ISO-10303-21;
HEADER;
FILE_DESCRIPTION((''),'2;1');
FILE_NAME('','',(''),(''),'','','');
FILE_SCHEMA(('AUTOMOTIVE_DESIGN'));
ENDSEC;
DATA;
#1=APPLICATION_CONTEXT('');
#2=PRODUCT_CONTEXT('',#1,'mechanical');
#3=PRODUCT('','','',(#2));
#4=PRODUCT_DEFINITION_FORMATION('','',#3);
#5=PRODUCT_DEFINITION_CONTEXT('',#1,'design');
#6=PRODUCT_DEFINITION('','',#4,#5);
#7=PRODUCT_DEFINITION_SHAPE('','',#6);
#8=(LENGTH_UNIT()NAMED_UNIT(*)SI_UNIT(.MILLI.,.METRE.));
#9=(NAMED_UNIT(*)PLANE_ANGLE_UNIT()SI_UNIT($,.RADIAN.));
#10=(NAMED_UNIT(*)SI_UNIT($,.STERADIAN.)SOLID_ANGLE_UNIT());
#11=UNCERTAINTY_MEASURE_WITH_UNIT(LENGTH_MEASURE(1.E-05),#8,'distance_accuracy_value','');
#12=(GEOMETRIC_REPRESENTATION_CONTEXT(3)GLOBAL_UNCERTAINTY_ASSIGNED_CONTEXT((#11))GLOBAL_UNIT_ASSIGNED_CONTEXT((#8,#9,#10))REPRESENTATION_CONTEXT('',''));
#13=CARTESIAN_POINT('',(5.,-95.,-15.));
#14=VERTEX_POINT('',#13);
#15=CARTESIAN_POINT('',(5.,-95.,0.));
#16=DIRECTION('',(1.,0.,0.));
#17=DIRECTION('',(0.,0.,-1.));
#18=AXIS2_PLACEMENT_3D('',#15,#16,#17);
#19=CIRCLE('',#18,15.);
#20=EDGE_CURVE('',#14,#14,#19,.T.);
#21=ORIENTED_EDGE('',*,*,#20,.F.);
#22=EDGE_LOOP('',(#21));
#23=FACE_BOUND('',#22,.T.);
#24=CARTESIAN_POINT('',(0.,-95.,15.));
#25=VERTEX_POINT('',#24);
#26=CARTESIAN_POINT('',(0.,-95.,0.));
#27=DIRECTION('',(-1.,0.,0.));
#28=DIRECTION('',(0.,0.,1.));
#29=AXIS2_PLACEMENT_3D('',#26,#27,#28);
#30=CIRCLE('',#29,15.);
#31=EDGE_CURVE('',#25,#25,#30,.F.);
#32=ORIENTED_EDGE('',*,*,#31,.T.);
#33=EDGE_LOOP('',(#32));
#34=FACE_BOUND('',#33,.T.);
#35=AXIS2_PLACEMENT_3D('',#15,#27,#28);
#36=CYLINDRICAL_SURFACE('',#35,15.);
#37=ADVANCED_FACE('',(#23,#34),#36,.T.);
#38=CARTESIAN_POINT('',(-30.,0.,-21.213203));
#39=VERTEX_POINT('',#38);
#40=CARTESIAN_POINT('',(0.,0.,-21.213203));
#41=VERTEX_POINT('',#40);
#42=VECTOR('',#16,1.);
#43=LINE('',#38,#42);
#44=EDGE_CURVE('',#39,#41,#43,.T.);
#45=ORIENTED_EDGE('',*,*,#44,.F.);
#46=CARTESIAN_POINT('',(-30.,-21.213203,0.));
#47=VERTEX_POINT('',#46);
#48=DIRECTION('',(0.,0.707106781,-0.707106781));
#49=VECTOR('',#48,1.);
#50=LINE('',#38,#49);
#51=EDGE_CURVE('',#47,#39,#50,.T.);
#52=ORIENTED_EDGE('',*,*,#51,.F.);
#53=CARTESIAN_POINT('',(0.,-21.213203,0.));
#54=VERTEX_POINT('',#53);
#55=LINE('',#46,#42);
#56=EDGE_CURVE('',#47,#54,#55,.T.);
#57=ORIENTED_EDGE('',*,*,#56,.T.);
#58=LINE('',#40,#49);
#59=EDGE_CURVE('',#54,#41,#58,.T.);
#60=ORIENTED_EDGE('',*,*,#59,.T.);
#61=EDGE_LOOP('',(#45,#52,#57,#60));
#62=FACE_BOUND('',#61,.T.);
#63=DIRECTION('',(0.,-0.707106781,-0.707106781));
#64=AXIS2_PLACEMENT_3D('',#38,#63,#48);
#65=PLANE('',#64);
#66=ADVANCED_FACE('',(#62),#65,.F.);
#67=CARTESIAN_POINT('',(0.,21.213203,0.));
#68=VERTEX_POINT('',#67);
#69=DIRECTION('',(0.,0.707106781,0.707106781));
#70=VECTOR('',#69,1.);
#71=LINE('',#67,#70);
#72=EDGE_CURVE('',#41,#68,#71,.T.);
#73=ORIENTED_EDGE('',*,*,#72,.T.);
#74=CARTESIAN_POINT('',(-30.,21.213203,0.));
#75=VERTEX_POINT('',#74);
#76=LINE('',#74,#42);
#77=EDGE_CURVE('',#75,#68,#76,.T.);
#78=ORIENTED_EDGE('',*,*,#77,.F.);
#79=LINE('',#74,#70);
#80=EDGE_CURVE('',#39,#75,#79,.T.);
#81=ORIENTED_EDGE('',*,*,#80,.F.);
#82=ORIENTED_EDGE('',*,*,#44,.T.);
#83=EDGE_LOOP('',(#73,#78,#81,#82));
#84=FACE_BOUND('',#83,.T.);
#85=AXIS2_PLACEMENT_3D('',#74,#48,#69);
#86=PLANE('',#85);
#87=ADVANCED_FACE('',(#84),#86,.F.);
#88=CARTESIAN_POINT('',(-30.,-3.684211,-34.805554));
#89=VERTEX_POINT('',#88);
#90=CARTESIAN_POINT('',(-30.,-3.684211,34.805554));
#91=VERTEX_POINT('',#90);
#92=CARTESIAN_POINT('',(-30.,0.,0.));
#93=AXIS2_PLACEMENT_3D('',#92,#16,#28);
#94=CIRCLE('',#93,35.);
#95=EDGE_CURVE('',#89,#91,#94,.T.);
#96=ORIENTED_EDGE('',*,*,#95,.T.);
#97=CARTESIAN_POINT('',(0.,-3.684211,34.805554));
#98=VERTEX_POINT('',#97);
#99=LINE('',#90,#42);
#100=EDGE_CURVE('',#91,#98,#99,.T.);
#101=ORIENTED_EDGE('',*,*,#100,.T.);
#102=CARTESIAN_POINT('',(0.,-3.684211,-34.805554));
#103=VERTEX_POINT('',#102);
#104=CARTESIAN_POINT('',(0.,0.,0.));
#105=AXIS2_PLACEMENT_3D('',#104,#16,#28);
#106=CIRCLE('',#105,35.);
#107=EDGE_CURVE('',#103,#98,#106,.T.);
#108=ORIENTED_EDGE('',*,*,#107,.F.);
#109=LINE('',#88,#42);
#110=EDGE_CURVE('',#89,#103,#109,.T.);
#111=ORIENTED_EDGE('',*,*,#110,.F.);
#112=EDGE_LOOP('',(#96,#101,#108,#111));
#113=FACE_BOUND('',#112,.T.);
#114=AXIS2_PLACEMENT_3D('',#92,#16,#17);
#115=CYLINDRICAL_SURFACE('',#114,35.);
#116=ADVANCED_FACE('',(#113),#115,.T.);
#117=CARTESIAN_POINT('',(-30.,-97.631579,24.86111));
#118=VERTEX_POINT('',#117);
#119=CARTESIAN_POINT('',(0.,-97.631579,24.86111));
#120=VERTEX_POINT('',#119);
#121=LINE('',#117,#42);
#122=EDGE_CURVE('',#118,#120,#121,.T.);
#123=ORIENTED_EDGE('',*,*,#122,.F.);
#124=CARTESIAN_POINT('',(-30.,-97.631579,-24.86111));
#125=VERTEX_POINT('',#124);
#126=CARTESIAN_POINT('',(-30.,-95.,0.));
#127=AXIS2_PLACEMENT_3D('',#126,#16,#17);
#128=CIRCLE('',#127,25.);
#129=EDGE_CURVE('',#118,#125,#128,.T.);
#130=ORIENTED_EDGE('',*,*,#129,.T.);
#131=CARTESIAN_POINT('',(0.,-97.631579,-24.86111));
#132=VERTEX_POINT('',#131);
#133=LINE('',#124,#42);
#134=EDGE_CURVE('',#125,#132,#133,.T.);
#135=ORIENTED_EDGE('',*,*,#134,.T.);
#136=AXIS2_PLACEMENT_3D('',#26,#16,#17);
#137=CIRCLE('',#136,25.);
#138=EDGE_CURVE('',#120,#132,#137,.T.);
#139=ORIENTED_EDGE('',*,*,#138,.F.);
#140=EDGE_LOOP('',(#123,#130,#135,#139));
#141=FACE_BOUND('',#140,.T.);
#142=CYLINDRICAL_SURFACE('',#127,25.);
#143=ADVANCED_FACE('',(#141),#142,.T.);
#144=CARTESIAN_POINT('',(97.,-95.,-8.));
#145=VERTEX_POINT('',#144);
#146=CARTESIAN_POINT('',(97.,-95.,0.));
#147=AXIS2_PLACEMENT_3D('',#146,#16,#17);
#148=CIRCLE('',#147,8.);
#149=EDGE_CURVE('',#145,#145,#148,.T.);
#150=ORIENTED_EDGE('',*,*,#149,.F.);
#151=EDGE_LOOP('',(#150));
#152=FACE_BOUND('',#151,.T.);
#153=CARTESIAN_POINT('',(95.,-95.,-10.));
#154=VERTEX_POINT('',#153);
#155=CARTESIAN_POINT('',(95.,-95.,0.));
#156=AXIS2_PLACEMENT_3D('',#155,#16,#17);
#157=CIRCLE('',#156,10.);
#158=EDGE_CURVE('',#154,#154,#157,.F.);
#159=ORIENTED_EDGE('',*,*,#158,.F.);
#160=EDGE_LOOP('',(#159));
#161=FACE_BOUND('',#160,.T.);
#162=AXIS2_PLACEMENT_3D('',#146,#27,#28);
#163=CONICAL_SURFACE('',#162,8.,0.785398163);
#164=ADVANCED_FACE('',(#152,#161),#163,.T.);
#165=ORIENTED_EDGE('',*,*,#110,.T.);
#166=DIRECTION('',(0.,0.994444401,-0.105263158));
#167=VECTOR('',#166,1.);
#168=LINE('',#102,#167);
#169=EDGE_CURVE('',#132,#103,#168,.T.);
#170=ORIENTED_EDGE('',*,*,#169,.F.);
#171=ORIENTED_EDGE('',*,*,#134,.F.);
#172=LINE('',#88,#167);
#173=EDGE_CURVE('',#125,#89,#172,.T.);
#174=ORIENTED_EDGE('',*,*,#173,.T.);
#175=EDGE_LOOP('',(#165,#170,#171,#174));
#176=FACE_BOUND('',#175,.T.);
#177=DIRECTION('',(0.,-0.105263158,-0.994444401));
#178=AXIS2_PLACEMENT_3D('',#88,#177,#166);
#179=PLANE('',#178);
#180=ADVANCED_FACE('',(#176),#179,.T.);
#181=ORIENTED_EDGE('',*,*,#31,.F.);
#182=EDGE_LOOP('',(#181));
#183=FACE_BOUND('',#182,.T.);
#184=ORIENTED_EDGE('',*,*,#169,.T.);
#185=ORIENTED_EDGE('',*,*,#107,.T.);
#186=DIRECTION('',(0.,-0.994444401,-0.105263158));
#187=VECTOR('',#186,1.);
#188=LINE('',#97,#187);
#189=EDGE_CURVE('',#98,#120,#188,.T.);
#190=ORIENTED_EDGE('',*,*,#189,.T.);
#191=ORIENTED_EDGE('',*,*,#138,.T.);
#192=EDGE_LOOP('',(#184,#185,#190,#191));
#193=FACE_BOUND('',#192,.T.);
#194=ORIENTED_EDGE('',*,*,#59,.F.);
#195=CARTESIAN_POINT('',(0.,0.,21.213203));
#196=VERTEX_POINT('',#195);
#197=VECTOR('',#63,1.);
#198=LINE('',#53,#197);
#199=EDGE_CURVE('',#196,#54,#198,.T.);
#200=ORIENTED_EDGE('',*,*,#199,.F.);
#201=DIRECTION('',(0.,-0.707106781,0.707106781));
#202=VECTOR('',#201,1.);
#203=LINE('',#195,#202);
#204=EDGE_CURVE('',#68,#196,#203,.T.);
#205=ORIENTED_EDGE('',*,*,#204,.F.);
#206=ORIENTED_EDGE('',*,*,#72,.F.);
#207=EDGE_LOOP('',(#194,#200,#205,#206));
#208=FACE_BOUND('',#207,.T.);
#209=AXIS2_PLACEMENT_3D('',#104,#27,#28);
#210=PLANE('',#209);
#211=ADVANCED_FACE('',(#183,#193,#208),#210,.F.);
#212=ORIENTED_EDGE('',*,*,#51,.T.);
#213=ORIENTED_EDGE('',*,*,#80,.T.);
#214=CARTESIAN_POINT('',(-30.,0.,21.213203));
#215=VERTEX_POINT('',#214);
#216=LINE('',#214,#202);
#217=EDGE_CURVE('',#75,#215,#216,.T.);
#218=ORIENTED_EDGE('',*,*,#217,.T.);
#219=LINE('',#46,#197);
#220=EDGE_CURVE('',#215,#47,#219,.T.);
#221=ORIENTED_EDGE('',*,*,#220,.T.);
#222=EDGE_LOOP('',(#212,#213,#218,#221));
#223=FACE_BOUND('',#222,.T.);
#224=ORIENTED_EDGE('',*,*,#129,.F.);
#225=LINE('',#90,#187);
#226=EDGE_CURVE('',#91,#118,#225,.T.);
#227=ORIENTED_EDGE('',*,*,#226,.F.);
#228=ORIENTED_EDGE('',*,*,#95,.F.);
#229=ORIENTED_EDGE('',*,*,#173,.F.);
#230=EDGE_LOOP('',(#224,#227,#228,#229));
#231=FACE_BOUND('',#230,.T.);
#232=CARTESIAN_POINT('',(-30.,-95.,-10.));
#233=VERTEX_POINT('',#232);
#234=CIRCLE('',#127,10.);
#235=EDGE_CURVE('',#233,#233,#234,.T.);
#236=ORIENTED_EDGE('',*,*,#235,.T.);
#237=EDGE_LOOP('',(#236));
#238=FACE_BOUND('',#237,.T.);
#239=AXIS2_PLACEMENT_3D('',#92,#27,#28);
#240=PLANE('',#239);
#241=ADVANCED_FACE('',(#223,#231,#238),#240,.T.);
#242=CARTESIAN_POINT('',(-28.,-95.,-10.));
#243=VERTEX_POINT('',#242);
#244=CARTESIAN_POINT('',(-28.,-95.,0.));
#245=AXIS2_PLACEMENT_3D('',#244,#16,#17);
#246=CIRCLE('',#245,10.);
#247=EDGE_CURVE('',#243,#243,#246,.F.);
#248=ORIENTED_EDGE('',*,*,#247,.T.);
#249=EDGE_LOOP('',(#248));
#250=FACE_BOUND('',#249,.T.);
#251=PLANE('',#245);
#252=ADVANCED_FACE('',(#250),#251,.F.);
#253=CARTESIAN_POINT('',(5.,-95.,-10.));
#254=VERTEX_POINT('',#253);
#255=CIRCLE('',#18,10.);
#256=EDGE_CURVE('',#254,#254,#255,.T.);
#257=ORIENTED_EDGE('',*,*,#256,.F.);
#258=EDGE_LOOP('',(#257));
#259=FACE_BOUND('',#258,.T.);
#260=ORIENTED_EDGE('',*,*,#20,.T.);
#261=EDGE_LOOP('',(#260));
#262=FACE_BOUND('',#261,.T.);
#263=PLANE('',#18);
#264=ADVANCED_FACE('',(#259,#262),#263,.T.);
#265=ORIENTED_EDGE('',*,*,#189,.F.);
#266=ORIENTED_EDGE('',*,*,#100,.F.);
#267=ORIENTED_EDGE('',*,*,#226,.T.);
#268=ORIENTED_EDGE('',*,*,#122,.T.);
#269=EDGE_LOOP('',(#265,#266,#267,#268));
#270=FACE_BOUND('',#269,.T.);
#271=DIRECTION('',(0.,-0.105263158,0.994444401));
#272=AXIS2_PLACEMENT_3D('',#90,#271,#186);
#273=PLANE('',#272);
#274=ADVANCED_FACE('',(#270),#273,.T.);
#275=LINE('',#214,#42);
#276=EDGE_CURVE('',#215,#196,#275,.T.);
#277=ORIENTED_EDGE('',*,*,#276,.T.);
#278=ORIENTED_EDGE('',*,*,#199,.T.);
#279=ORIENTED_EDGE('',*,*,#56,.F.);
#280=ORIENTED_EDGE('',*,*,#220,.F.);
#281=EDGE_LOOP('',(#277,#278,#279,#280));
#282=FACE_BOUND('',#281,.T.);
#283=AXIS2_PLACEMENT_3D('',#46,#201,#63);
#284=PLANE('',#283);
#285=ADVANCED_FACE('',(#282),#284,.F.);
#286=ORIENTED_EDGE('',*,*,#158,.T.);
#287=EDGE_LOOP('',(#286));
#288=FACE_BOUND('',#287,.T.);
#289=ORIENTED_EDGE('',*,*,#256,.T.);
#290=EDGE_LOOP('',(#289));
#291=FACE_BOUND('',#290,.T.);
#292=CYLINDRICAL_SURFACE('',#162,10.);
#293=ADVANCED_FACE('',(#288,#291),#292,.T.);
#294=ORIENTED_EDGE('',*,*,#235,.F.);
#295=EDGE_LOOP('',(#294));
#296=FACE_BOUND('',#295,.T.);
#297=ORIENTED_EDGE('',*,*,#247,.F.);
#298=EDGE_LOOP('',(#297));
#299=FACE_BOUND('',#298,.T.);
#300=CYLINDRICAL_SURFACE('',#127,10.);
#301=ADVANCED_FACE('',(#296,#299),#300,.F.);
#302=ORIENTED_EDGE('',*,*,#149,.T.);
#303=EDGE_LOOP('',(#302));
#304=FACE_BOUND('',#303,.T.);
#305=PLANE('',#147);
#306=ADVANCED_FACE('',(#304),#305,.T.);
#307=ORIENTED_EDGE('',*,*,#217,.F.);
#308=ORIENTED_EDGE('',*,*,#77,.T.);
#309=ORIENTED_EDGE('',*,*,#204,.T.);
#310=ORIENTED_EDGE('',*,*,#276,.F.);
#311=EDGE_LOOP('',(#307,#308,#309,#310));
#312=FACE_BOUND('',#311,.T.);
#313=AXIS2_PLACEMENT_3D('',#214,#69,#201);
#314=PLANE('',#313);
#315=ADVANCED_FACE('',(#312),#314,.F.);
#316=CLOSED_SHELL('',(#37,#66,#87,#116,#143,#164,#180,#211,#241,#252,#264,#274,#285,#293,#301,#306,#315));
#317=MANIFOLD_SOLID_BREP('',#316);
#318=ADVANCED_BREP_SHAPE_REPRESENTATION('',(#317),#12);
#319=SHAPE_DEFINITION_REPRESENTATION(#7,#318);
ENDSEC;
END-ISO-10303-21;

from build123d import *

# Parameters (mm, degrees)
SKETCH_4_R      = 10
EXTRUDE_4_DEPTH = 30
SKETCH_5_R      = 10
EXTRUDE_5_DEPTH = 28
SKETCH_6_R      = 15
EXTRUDE_6_DEPTH = 5
EXTRUDE_START   = 92
SKETCH_7_R      = 10
EXTRUDE_7_DEPTH = 92
CHAMFER_2_SIZE  = 2


with BuildPart() as part:
    # 草图4 → 凸台-拉伸4 (new body)
    with BuildSketch(Plane(origin=(0, 0, 0), x_dir=(0, 0, -1), z_dir=(1, 0, 0))):
        with BuildLine():
            Line((-34.805554051, -3.684210526), (-24.861110036, -97.631578947))
            ThreePointArc((-24.861110036, -97.631578947), (0, -120), (24.861110036, -97.631578947))
            Line((24.861110036, -97.631578947), (34.805554051, -3.684210526))
            ThreePointArc((34.805554051, -3.684210526), (0, 35), (-34.805554051, -3.684210526))
        make_face()
        with Locations((0, -95)):
            Circle(SKETCH_4_R, mode=Mode.SUBTRACT)
        Polygon((0, 21.213203436), (21.213203436, 0), (0, -21.213203436), (-21.213203436, 0), align=None, mode=Mode.SUBTRACT)
    extrude(amount=-EXTRUDE_4_DEPTH)

    # 草图5 → 凸台-拉伸5 (add)
    with BuildSketch(Plane(origin=(0, 0, 0), x_dir=(0, 0, -1), z_dir=(1, 0, 0))):
        with Locations((0, -95)):
            Circle(SKETCH_5_R)
    extrude(amount=-EXTRUDE_5_DEPTH)

    # 草图6 → 凸台-拉伸6 (add)
    with BuildSketch(Plane(origin=(0, 0, 0), x_dir=(0, 0, -1), z_dir=(1, 0, 0))):
        with Locations(Location((0, -95, 0), (0, 0, 180))):
            Circle(SKETCH_6_R)
    extrude(amount=EXTRUDE_6_DEPTH)

    # 草图7 → 凸台-拉伸7 (add)
    with BuildSketch(Plane(origin=(5, 0, 0), x_dir=(0, 0, -1), z_dir=(1, 0, 0)).offset(EXTRUDE_START)):
        with Locations((0, -95)):
            Circle(SKETCH_7_R)
    extrude(amount=-EXTRUDE_7_DEPTH)

    # 倒角2
    chamfer_2_edges = [part.edges().sort_by_distance(p)[0] for p in [
        (97, -95, 10),
    ]]
    chamfer(chamfer_2_edges, length=CHAMFER_2_SIZE)


solid = part.part
